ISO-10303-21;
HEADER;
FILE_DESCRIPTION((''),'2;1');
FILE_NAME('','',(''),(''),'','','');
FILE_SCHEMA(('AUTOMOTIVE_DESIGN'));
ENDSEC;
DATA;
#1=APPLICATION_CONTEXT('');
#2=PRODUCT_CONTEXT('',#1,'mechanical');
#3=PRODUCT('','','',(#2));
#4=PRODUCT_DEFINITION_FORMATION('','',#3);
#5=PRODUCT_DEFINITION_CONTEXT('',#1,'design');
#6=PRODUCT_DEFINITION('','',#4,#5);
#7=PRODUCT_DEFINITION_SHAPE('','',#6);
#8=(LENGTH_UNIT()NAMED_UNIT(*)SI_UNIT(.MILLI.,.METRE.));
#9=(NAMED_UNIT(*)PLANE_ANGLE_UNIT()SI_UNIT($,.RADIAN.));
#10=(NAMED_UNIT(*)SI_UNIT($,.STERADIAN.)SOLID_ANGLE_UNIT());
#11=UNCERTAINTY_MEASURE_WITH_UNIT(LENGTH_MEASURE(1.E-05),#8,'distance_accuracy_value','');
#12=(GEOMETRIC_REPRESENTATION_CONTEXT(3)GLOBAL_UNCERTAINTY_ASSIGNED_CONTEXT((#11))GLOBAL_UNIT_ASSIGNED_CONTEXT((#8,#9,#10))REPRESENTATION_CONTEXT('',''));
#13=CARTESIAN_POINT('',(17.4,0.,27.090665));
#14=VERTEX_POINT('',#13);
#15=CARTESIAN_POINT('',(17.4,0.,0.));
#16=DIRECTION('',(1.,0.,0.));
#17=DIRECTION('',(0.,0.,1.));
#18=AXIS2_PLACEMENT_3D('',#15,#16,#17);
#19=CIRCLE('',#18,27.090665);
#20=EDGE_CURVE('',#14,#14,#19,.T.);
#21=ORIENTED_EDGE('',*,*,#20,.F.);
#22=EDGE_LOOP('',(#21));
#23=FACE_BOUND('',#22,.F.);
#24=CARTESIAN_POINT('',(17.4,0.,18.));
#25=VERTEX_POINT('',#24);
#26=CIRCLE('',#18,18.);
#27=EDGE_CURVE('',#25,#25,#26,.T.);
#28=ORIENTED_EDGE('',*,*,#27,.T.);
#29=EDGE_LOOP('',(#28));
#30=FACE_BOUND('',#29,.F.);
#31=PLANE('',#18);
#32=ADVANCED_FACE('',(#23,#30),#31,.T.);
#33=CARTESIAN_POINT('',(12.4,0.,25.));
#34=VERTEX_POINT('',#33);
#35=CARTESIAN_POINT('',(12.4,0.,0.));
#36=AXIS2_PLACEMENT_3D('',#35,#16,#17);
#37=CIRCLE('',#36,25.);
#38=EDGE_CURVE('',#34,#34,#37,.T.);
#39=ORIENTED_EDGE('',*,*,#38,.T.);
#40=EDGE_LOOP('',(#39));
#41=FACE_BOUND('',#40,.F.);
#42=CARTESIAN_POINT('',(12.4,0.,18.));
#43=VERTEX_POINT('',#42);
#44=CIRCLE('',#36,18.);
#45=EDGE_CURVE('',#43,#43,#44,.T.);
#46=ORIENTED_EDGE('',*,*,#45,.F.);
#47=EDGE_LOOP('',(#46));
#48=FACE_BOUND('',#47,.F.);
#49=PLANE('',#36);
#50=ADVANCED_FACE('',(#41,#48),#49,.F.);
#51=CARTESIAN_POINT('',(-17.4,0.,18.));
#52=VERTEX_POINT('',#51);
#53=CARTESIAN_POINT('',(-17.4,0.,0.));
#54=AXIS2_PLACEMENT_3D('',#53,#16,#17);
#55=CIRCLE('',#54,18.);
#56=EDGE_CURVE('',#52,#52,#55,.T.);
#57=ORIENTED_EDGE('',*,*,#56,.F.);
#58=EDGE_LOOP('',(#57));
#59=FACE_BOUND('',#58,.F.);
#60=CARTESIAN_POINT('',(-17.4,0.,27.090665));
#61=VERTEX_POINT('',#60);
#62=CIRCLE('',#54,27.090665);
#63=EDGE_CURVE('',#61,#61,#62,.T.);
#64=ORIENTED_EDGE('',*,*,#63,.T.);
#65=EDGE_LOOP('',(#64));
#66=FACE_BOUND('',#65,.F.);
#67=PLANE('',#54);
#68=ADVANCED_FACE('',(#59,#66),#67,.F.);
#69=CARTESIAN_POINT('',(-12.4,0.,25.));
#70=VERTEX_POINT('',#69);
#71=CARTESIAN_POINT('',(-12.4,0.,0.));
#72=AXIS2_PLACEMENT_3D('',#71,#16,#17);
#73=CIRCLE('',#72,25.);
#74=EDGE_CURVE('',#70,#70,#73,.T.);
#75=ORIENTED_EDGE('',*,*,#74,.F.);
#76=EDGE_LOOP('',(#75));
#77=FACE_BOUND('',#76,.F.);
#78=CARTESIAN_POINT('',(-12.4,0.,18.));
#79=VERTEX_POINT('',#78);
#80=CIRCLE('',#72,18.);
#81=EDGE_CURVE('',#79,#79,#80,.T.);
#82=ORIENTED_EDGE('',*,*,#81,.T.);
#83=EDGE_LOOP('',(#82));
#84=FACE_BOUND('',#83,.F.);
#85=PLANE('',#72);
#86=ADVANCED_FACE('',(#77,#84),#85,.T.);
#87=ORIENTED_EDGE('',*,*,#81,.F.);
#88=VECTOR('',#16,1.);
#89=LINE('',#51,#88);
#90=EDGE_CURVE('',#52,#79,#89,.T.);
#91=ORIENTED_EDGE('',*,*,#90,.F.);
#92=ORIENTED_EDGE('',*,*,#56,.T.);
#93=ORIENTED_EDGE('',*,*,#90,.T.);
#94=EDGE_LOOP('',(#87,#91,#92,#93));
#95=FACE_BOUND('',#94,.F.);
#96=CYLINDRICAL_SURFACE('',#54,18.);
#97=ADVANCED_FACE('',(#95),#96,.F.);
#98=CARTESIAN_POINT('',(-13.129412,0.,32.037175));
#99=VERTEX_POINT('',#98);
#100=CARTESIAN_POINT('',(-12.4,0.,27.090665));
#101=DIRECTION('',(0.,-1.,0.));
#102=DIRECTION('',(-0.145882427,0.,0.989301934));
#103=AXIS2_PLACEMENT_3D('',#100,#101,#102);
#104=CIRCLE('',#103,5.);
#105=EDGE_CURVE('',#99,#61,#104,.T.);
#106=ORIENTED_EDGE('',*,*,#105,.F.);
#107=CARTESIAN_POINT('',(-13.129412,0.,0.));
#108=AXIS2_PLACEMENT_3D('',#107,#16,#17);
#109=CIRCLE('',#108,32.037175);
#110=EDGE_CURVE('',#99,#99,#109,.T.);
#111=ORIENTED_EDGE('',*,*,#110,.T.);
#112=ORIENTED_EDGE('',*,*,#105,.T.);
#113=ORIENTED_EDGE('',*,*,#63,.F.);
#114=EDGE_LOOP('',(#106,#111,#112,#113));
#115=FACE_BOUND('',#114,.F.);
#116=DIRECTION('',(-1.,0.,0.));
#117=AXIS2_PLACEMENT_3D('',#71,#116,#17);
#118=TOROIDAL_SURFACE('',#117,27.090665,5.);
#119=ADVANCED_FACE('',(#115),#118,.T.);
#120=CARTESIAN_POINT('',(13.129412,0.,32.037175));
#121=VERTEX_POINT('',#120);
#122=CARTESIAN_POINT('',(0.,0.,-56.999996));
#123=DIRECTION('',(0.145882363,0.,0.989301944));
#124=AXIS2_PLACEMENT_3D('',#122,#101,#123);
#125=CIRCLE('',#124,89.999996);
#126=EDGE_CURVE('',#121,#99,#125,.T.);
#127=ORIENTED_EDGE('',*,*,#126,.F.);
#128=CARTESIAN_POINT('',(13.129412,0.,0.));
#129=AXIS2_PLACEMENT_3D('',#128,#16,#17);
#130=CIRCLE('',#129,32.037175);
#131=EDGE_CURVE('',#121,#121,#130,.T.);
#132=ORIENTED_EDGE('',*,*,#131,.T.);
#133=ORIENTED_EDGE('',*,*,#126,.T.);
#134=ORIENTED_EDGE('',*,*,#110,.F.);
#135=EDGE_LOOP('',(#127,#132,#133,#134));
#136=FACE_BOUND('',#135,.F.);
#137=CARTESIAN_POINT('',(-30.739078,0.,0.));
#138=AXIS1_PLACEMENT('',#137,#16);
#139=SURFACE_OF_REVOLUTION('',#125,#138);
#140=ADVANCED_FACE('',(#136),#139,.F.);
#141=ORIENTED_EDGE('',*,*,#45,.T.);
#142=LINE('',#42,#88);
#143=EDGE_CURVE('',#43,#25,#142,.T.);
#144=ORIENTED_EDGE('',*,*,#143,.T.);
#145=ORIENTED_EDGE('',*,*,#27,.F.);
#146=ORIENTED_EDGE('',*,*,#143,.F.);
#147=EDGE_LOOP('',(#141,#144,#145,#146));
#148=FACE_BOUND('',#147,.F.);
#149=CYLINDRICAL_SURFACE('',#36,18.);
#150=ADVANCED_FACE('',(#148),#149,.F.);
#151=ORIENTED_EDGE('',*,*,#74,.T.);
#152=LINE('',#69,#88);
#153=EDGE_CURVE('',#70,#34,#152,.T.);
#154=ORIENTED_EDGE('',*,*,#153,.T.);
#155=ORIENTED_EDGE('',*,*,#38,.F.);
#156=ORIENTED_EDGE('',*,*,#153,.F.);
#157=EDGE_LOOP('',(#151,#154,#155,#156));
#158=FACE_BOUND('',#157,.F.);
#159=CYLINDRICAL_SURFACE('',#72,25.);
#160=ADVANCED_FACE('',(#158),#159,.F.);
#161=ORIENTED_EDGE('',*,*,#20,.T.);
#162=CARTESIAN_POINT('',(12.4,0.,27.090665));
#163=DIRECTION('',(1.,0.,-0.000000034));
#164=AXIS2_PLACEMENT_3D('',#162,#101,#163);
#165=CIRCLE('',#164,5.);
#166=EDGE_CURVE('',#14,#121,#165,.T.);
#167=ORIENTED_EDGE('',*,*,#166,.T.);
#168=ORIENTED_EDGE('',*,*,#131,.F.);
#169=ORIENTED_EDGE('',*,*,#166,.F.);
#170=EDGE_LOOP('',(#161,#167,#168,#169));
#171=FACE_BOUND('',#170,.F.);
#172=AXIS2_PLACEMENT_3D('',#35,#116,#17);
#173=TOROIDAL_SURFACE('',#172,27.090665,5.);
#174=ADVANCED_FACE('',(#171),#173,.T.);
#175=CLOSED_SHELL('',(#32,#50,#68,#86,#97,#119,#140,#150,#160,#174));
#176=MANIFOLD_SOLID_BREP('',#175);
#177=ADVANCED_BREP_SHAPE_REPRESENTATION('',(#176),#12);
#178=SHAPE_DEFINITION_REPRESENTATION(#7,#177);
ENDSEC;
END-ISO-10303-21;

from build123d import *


with BuildPart() as f1:
    # F0 (on Front) → F1 (revolve)
    with BuildSketch(Plane.XZ):
        with BuildLine():
            Line((-17.4, 27.090665), (-17.4, 18))
            Line((-17.4, 18), (-12.4, 18))
            Line((-12.4, 18), (-12.4, 25))
            Line((-12.4, 25), (12.4, 25))
            Line((12.4, 25), (12.4, 18))
            Line((12.4, 18), (17.4, 18))
            Line((17.4, 18), (17.4, 27.090665))
            ThreePointArc((17.4, 27.090665), (16.184644, 30.358152), (13.129412, 32.037175))
            ThreePointArc((13.129412, 32.037175), (0, 33), (-13.129412, 32.037175))
            ThreePointArc((-13.129412, 32.037175), (-16.184644, 30.358152), (-17.4, 27.090665))
        make_face()
    revolve(axis=Axis((-30.739078, 0, 0), (1, 0, 0)))


solid = f1.part
